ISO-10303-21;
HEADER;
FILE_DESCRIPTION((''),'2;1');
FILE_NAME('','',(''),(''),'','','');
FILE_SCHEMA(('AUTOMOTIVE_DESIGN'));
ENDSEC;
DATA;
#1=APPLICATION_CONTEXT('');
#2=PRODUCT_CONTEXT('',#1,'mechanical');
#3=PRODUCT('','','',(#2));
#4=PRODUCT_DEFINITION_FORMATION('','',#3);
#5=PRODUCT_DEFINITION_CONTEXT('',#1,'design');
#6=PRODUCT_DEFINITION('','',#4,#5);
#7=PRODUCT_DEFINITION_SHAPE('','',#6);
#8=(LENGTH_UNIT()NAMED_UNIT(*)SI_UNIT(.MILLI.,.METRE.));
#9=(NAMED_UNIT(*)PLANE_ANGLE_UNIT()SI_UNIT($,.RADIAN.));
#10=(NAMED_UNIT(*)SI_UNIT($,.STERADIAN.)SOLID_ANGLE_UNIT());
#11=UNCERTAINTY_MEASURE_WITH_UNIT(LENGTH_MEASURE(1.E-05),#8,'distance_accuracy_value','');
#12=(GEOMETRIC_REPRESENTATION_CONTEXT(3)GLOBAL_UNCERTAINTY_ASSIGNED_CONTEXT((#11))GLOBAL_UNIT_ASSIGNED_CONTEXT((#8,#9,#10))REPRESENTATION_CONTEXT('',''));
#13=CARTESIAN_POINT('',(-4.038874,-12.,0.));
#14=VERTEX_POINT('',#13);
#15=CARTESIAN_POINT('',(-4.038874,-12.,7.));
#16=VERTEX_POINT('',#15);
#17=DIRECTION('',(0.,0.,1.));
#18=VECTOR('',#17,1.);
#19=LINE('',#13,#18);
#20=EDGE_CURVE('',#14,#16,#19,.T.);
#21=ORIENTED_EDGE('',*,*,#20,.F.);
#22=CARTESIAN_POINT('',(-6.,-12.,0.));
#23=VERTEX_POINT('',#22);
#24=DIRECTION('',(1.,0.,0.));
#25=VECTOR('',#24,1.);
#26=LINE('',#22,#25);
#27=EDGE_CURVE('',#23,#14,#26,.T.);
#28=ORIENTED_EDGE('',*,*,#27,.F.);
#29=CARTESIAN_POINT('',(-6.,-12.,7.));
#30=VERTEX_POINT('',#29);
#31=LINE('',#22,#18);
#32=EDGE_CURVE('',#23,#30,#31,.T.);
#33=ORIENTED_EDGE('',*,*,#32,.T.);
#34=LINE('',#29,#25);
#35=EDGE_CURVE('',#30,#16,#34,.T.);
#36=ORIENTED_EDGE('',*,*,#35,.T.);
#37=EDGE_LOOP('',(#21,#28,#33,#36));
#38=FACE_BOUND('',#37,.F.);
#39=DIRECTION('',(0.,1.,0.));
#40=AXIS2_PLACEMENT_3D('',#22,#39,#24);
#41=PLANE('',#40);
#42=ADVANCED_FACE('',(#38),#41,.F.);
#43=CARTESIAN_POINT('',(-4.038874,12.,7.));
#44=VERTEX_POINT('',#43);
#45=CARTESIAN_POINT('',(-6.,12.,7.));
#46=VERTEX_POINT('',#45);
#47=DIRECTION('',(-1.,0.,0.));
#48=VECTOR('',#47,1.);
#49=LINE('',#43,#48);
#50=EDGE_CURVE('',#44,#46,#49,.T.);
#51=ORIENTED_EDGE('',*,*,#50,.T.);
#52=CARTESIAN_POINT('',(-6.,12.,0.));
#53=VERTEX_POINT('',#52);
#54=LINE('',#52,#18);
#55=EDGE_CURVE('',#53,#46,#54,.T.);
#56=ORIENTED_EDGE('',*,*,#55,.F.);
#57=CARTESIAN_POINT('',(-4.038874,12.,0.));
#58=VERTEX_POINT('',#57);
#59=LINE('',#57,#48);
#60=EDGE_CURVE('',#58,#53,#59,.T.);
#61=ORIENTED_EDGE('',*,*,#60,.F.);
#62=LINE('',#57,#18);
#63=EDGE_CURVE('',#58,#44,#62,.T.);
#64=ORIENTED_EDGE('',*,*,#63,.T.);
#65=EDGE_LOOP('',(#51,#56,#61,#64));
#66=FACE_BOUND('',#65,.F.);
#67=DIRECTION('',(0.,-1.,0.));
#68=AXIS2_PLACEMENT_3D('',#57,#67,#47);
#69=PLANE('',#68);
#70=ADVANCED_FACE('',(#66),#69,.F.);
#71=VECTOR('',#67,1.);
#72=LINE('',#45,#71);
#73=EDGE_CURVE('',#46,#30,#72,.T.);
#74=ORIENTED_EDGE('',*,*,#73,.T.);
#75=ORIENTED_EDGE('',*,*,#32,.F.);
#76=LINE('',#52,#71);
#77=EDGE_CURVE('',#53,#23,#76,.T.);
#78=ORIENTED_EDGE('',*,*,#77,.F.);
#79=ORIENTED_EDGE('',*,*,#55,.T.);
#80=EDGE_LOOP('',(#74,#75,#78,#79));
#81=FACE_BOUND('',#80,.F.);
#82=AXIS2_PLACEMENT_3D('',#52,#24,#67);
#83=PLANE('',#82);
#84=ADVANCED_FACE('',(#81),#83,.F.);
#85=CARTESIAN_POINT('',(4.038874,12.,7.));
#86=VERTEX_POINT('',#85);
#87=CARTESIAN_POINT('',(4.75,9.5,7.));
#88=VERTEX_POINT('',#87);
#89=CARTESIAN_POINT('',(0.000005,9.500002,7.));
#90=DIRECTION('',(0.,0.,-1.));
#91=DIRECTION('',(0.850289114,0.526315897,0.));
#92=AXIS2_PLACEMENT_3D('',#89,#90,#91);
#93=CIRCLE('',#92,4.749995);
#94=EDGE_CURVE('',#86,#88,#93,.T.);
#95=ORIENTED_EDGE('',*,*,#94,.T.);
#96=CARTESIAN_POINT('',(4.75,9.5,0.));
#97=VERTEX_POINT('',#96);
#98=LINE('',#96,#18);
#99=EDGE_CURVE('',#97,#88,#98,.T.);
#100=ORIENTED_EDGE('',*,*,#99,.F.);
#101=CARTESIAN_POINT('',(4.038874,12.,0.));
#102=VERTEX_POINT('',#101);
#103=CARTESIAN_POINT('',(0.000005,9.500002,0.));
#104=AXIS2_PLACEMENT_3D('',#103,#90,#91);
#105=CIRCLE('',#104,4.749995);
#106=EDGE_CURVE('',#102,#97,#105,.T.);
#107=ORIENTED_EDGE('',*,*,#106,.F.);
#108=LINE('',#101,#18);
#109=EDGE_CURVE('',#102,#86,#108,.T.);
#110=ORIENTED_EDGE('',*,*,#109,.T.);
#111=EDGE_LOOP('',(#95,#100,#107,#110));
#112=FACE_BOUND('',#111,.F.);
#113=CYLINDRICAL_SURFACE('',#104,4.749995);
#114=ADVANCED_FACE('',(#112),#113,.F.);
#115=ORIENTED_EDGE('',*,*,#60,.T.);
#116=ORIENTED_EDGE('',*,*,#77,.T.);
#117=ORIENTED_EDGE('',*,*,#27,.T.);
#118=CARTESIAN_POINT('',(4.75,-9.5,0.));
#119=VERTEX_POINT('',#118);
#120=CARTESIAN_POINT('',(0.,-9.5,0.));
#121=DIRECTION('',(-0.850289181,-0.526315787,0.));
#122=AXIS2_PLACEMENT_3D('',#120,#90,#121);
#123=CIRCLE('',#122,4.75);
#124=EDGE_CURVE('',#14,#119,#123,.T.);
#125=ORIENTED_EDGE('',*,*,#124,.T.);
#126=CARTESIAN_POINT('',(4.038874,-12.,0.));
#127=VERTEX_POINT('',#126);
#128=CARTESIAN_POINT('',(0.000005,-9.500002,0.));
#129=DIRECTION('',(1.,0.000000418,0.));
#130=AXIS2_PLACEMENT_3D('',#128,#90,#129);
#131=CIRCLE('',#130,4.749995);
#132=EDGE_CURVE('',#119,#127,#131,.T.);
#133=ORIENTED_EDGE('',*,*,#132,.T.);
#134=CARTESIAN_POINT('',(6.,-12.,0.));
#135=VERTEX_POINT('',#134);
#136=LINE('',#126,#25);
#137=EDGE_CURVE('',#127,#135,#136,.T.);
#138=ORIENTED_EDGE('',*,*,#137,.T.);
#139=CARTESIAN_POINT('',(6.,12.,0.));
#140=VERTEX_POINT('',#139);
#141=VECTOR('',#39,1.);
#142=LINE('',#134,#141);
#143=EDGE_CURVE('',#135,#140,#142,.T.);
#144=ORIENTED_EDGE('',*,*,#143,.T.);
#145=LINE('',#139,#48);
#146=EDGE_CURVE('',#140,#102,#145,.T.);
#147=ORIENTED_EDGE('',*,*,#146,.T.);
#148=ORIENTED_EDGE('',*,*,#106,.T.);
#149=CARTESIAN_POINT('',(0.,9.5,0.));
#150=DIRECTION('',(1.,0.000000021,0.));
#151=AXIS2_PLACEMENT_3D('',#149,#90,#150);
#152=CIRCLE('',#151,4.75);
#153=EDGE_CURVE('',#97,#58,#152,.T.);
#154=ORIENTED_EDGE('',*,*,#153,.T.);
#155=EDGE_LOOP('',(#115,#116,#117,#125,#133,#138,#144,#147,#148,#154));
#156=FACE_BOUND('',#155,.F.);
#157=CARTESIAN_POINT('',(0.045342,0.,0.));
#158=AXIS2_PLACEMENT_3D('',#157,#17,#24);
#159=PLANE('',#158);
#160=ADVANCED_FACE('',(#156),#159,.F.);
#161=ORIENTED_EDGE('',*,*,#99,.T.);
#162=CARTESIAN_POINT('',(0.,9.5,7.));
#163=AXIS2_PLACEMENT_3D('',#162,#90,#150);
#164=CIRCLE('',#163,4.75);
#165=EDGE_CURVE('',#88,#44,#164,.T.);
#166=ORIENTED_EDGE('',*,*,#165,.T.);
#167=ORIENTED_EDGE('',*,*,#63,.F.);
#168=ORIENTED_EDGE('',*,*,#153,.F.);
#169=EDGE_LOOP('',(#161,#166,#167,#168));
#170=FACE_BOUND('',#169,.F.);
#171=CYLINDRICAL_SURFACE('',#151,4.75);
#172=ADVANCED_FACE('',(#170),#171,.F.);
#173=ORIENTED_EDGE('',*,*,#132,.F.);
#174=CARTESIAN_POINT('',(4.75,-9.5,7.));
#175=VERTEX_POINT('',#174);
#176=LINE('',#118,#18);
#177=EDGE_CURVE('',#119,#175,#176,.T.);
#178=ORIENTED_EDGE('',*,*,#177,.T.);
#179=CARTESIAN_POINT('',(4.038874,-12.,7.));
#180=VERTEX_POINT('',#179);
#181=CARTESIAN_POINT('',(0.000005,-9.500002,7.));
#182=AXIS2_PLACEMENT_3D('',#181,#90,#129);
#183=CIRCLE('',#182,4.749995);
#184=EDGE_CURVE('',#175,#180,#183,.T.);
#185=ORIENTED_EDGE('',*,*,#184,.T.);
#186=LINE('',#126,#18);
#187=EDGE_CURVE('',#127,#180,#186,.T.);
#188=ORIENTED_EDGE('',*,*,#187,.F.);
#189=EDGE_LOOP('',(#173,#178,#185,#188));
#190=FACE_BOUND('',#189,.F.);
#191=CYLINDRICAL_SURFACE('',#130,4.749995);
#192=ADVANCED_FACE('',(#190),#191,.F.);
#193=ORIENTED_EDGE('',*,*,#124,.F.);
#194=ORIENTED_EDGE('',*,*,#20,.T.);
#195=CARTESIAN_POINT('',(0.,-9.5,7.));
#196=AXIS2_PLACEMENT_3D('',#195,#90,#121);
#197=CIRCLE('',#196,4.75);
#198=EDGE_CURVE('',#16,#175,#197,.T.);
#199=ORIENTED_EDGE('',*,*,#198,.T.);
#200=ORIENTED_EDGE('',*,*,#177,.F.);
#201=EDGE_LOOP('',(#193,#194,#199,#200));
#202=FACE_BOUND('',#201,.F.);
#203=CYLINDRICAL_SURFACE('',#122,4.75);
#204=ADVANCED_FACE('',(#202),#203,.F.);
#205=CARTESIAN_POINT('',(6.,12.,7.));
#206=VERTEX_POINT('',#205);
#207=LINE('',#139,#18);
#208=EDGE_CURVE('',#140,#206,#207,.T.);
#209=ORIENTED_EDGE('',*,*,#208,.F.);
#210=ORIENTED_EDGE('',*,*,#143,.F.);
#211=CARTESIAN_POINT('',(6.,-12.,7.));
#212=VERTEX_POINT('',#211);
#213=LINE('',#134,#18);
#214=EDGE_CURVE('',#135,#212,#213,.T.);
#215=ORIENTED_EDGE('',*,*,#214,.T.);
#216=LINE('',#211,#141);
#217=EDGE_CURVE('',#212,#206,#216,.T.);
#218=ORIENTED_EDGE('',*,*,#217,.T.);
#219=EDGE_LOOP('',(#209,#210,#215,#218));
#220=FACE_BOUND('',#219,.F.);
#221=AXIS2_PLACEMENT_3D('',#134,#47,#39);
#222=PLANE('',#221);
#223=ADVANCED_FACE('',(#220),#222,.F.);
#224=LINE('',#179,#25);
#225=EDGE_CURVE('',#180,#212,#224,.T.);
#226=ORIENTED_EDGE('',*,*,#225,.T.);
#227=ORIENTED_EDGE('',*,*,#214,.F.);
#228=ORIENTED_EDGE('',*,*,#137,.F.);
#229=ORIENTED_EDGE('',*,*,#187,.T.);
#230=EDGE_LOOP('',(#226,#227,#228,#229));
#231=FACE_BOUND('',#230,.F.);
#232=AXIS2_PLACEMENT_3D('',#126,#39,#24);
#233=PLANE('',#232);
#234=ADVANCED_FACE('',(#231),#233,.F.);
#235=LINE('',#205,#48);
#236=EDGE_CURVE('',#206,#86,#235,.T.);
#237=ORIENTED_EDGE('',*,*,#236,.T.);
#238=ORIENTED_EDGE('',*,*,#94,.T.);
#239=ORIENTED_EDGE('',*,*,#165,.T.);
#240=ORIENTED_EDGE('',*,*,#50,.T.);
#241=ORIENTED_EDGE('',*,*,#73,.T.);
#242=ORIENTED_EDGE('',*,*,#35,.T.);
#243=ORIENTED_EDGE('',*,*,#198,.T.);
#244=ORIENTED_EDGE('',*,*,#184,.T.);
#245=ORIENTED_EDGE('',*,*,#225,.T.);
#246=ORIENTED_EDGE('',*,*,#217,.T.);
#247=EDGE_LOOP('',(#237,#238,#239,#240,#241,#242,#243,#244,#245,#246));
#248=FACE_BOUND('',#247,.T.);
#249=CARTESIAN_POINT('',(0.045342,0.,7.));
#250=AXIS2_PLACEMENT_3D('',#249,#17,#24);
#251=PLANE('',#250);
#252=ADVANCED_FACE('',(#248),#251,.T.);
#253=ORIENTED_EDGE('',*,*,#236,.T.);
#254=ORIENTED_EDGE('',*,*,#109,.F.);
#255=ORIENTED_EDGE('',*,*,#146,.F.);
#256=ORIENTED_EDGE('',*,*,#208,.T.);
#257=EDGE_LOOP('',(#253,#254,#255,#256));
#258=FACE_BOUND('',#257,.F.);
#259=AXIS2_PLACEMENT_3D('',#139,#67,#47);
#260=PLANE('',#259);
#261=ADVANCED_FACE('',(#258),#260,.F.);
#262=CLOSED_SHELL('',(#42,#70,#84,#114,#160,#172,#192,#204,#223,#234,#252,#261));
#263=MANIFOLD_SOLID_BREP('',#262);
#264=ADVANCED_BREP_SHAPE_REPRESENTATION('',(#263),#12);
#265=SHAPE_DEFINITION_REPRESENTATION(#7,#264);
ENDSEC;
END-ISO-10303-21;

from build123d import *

# Parameters (mm, degrees)
F1_DEPTH = 7


with BuildPart() as f1:
    # F0 (on Top) → F1 (new body)
    with BuildSketch(Plane.XY):
        with BuildLine():
            Line((6, -12), (6, 12))
            Line((6, 12), (4.038874, 12))
            ThreePointArc((4.038874, 12), (4.568761, 10.799587), (4.75, 9.5))
            ThreePointArc((4.75, 9.5), (-1.299587, 4.931239), (-4.038874, 12))
            Line((-4.038874, 12), (-6, 12))
            Line((-6, 12), (-6, -12))
            Line((-6, -12), (-4.038874, -12))
            ThreePointArc((-4.038874, -12), (-1.299587, -4.931239), (4.75, -9.5))
            ThreePointArc((4.75, -9.5), (4.568761, -10.799587), (4.038874, -12))
            Line((4.038874, -12), (6, -12))
        make_face()
    extrude(amount=F1_DEPTH)


solid = f1.part
